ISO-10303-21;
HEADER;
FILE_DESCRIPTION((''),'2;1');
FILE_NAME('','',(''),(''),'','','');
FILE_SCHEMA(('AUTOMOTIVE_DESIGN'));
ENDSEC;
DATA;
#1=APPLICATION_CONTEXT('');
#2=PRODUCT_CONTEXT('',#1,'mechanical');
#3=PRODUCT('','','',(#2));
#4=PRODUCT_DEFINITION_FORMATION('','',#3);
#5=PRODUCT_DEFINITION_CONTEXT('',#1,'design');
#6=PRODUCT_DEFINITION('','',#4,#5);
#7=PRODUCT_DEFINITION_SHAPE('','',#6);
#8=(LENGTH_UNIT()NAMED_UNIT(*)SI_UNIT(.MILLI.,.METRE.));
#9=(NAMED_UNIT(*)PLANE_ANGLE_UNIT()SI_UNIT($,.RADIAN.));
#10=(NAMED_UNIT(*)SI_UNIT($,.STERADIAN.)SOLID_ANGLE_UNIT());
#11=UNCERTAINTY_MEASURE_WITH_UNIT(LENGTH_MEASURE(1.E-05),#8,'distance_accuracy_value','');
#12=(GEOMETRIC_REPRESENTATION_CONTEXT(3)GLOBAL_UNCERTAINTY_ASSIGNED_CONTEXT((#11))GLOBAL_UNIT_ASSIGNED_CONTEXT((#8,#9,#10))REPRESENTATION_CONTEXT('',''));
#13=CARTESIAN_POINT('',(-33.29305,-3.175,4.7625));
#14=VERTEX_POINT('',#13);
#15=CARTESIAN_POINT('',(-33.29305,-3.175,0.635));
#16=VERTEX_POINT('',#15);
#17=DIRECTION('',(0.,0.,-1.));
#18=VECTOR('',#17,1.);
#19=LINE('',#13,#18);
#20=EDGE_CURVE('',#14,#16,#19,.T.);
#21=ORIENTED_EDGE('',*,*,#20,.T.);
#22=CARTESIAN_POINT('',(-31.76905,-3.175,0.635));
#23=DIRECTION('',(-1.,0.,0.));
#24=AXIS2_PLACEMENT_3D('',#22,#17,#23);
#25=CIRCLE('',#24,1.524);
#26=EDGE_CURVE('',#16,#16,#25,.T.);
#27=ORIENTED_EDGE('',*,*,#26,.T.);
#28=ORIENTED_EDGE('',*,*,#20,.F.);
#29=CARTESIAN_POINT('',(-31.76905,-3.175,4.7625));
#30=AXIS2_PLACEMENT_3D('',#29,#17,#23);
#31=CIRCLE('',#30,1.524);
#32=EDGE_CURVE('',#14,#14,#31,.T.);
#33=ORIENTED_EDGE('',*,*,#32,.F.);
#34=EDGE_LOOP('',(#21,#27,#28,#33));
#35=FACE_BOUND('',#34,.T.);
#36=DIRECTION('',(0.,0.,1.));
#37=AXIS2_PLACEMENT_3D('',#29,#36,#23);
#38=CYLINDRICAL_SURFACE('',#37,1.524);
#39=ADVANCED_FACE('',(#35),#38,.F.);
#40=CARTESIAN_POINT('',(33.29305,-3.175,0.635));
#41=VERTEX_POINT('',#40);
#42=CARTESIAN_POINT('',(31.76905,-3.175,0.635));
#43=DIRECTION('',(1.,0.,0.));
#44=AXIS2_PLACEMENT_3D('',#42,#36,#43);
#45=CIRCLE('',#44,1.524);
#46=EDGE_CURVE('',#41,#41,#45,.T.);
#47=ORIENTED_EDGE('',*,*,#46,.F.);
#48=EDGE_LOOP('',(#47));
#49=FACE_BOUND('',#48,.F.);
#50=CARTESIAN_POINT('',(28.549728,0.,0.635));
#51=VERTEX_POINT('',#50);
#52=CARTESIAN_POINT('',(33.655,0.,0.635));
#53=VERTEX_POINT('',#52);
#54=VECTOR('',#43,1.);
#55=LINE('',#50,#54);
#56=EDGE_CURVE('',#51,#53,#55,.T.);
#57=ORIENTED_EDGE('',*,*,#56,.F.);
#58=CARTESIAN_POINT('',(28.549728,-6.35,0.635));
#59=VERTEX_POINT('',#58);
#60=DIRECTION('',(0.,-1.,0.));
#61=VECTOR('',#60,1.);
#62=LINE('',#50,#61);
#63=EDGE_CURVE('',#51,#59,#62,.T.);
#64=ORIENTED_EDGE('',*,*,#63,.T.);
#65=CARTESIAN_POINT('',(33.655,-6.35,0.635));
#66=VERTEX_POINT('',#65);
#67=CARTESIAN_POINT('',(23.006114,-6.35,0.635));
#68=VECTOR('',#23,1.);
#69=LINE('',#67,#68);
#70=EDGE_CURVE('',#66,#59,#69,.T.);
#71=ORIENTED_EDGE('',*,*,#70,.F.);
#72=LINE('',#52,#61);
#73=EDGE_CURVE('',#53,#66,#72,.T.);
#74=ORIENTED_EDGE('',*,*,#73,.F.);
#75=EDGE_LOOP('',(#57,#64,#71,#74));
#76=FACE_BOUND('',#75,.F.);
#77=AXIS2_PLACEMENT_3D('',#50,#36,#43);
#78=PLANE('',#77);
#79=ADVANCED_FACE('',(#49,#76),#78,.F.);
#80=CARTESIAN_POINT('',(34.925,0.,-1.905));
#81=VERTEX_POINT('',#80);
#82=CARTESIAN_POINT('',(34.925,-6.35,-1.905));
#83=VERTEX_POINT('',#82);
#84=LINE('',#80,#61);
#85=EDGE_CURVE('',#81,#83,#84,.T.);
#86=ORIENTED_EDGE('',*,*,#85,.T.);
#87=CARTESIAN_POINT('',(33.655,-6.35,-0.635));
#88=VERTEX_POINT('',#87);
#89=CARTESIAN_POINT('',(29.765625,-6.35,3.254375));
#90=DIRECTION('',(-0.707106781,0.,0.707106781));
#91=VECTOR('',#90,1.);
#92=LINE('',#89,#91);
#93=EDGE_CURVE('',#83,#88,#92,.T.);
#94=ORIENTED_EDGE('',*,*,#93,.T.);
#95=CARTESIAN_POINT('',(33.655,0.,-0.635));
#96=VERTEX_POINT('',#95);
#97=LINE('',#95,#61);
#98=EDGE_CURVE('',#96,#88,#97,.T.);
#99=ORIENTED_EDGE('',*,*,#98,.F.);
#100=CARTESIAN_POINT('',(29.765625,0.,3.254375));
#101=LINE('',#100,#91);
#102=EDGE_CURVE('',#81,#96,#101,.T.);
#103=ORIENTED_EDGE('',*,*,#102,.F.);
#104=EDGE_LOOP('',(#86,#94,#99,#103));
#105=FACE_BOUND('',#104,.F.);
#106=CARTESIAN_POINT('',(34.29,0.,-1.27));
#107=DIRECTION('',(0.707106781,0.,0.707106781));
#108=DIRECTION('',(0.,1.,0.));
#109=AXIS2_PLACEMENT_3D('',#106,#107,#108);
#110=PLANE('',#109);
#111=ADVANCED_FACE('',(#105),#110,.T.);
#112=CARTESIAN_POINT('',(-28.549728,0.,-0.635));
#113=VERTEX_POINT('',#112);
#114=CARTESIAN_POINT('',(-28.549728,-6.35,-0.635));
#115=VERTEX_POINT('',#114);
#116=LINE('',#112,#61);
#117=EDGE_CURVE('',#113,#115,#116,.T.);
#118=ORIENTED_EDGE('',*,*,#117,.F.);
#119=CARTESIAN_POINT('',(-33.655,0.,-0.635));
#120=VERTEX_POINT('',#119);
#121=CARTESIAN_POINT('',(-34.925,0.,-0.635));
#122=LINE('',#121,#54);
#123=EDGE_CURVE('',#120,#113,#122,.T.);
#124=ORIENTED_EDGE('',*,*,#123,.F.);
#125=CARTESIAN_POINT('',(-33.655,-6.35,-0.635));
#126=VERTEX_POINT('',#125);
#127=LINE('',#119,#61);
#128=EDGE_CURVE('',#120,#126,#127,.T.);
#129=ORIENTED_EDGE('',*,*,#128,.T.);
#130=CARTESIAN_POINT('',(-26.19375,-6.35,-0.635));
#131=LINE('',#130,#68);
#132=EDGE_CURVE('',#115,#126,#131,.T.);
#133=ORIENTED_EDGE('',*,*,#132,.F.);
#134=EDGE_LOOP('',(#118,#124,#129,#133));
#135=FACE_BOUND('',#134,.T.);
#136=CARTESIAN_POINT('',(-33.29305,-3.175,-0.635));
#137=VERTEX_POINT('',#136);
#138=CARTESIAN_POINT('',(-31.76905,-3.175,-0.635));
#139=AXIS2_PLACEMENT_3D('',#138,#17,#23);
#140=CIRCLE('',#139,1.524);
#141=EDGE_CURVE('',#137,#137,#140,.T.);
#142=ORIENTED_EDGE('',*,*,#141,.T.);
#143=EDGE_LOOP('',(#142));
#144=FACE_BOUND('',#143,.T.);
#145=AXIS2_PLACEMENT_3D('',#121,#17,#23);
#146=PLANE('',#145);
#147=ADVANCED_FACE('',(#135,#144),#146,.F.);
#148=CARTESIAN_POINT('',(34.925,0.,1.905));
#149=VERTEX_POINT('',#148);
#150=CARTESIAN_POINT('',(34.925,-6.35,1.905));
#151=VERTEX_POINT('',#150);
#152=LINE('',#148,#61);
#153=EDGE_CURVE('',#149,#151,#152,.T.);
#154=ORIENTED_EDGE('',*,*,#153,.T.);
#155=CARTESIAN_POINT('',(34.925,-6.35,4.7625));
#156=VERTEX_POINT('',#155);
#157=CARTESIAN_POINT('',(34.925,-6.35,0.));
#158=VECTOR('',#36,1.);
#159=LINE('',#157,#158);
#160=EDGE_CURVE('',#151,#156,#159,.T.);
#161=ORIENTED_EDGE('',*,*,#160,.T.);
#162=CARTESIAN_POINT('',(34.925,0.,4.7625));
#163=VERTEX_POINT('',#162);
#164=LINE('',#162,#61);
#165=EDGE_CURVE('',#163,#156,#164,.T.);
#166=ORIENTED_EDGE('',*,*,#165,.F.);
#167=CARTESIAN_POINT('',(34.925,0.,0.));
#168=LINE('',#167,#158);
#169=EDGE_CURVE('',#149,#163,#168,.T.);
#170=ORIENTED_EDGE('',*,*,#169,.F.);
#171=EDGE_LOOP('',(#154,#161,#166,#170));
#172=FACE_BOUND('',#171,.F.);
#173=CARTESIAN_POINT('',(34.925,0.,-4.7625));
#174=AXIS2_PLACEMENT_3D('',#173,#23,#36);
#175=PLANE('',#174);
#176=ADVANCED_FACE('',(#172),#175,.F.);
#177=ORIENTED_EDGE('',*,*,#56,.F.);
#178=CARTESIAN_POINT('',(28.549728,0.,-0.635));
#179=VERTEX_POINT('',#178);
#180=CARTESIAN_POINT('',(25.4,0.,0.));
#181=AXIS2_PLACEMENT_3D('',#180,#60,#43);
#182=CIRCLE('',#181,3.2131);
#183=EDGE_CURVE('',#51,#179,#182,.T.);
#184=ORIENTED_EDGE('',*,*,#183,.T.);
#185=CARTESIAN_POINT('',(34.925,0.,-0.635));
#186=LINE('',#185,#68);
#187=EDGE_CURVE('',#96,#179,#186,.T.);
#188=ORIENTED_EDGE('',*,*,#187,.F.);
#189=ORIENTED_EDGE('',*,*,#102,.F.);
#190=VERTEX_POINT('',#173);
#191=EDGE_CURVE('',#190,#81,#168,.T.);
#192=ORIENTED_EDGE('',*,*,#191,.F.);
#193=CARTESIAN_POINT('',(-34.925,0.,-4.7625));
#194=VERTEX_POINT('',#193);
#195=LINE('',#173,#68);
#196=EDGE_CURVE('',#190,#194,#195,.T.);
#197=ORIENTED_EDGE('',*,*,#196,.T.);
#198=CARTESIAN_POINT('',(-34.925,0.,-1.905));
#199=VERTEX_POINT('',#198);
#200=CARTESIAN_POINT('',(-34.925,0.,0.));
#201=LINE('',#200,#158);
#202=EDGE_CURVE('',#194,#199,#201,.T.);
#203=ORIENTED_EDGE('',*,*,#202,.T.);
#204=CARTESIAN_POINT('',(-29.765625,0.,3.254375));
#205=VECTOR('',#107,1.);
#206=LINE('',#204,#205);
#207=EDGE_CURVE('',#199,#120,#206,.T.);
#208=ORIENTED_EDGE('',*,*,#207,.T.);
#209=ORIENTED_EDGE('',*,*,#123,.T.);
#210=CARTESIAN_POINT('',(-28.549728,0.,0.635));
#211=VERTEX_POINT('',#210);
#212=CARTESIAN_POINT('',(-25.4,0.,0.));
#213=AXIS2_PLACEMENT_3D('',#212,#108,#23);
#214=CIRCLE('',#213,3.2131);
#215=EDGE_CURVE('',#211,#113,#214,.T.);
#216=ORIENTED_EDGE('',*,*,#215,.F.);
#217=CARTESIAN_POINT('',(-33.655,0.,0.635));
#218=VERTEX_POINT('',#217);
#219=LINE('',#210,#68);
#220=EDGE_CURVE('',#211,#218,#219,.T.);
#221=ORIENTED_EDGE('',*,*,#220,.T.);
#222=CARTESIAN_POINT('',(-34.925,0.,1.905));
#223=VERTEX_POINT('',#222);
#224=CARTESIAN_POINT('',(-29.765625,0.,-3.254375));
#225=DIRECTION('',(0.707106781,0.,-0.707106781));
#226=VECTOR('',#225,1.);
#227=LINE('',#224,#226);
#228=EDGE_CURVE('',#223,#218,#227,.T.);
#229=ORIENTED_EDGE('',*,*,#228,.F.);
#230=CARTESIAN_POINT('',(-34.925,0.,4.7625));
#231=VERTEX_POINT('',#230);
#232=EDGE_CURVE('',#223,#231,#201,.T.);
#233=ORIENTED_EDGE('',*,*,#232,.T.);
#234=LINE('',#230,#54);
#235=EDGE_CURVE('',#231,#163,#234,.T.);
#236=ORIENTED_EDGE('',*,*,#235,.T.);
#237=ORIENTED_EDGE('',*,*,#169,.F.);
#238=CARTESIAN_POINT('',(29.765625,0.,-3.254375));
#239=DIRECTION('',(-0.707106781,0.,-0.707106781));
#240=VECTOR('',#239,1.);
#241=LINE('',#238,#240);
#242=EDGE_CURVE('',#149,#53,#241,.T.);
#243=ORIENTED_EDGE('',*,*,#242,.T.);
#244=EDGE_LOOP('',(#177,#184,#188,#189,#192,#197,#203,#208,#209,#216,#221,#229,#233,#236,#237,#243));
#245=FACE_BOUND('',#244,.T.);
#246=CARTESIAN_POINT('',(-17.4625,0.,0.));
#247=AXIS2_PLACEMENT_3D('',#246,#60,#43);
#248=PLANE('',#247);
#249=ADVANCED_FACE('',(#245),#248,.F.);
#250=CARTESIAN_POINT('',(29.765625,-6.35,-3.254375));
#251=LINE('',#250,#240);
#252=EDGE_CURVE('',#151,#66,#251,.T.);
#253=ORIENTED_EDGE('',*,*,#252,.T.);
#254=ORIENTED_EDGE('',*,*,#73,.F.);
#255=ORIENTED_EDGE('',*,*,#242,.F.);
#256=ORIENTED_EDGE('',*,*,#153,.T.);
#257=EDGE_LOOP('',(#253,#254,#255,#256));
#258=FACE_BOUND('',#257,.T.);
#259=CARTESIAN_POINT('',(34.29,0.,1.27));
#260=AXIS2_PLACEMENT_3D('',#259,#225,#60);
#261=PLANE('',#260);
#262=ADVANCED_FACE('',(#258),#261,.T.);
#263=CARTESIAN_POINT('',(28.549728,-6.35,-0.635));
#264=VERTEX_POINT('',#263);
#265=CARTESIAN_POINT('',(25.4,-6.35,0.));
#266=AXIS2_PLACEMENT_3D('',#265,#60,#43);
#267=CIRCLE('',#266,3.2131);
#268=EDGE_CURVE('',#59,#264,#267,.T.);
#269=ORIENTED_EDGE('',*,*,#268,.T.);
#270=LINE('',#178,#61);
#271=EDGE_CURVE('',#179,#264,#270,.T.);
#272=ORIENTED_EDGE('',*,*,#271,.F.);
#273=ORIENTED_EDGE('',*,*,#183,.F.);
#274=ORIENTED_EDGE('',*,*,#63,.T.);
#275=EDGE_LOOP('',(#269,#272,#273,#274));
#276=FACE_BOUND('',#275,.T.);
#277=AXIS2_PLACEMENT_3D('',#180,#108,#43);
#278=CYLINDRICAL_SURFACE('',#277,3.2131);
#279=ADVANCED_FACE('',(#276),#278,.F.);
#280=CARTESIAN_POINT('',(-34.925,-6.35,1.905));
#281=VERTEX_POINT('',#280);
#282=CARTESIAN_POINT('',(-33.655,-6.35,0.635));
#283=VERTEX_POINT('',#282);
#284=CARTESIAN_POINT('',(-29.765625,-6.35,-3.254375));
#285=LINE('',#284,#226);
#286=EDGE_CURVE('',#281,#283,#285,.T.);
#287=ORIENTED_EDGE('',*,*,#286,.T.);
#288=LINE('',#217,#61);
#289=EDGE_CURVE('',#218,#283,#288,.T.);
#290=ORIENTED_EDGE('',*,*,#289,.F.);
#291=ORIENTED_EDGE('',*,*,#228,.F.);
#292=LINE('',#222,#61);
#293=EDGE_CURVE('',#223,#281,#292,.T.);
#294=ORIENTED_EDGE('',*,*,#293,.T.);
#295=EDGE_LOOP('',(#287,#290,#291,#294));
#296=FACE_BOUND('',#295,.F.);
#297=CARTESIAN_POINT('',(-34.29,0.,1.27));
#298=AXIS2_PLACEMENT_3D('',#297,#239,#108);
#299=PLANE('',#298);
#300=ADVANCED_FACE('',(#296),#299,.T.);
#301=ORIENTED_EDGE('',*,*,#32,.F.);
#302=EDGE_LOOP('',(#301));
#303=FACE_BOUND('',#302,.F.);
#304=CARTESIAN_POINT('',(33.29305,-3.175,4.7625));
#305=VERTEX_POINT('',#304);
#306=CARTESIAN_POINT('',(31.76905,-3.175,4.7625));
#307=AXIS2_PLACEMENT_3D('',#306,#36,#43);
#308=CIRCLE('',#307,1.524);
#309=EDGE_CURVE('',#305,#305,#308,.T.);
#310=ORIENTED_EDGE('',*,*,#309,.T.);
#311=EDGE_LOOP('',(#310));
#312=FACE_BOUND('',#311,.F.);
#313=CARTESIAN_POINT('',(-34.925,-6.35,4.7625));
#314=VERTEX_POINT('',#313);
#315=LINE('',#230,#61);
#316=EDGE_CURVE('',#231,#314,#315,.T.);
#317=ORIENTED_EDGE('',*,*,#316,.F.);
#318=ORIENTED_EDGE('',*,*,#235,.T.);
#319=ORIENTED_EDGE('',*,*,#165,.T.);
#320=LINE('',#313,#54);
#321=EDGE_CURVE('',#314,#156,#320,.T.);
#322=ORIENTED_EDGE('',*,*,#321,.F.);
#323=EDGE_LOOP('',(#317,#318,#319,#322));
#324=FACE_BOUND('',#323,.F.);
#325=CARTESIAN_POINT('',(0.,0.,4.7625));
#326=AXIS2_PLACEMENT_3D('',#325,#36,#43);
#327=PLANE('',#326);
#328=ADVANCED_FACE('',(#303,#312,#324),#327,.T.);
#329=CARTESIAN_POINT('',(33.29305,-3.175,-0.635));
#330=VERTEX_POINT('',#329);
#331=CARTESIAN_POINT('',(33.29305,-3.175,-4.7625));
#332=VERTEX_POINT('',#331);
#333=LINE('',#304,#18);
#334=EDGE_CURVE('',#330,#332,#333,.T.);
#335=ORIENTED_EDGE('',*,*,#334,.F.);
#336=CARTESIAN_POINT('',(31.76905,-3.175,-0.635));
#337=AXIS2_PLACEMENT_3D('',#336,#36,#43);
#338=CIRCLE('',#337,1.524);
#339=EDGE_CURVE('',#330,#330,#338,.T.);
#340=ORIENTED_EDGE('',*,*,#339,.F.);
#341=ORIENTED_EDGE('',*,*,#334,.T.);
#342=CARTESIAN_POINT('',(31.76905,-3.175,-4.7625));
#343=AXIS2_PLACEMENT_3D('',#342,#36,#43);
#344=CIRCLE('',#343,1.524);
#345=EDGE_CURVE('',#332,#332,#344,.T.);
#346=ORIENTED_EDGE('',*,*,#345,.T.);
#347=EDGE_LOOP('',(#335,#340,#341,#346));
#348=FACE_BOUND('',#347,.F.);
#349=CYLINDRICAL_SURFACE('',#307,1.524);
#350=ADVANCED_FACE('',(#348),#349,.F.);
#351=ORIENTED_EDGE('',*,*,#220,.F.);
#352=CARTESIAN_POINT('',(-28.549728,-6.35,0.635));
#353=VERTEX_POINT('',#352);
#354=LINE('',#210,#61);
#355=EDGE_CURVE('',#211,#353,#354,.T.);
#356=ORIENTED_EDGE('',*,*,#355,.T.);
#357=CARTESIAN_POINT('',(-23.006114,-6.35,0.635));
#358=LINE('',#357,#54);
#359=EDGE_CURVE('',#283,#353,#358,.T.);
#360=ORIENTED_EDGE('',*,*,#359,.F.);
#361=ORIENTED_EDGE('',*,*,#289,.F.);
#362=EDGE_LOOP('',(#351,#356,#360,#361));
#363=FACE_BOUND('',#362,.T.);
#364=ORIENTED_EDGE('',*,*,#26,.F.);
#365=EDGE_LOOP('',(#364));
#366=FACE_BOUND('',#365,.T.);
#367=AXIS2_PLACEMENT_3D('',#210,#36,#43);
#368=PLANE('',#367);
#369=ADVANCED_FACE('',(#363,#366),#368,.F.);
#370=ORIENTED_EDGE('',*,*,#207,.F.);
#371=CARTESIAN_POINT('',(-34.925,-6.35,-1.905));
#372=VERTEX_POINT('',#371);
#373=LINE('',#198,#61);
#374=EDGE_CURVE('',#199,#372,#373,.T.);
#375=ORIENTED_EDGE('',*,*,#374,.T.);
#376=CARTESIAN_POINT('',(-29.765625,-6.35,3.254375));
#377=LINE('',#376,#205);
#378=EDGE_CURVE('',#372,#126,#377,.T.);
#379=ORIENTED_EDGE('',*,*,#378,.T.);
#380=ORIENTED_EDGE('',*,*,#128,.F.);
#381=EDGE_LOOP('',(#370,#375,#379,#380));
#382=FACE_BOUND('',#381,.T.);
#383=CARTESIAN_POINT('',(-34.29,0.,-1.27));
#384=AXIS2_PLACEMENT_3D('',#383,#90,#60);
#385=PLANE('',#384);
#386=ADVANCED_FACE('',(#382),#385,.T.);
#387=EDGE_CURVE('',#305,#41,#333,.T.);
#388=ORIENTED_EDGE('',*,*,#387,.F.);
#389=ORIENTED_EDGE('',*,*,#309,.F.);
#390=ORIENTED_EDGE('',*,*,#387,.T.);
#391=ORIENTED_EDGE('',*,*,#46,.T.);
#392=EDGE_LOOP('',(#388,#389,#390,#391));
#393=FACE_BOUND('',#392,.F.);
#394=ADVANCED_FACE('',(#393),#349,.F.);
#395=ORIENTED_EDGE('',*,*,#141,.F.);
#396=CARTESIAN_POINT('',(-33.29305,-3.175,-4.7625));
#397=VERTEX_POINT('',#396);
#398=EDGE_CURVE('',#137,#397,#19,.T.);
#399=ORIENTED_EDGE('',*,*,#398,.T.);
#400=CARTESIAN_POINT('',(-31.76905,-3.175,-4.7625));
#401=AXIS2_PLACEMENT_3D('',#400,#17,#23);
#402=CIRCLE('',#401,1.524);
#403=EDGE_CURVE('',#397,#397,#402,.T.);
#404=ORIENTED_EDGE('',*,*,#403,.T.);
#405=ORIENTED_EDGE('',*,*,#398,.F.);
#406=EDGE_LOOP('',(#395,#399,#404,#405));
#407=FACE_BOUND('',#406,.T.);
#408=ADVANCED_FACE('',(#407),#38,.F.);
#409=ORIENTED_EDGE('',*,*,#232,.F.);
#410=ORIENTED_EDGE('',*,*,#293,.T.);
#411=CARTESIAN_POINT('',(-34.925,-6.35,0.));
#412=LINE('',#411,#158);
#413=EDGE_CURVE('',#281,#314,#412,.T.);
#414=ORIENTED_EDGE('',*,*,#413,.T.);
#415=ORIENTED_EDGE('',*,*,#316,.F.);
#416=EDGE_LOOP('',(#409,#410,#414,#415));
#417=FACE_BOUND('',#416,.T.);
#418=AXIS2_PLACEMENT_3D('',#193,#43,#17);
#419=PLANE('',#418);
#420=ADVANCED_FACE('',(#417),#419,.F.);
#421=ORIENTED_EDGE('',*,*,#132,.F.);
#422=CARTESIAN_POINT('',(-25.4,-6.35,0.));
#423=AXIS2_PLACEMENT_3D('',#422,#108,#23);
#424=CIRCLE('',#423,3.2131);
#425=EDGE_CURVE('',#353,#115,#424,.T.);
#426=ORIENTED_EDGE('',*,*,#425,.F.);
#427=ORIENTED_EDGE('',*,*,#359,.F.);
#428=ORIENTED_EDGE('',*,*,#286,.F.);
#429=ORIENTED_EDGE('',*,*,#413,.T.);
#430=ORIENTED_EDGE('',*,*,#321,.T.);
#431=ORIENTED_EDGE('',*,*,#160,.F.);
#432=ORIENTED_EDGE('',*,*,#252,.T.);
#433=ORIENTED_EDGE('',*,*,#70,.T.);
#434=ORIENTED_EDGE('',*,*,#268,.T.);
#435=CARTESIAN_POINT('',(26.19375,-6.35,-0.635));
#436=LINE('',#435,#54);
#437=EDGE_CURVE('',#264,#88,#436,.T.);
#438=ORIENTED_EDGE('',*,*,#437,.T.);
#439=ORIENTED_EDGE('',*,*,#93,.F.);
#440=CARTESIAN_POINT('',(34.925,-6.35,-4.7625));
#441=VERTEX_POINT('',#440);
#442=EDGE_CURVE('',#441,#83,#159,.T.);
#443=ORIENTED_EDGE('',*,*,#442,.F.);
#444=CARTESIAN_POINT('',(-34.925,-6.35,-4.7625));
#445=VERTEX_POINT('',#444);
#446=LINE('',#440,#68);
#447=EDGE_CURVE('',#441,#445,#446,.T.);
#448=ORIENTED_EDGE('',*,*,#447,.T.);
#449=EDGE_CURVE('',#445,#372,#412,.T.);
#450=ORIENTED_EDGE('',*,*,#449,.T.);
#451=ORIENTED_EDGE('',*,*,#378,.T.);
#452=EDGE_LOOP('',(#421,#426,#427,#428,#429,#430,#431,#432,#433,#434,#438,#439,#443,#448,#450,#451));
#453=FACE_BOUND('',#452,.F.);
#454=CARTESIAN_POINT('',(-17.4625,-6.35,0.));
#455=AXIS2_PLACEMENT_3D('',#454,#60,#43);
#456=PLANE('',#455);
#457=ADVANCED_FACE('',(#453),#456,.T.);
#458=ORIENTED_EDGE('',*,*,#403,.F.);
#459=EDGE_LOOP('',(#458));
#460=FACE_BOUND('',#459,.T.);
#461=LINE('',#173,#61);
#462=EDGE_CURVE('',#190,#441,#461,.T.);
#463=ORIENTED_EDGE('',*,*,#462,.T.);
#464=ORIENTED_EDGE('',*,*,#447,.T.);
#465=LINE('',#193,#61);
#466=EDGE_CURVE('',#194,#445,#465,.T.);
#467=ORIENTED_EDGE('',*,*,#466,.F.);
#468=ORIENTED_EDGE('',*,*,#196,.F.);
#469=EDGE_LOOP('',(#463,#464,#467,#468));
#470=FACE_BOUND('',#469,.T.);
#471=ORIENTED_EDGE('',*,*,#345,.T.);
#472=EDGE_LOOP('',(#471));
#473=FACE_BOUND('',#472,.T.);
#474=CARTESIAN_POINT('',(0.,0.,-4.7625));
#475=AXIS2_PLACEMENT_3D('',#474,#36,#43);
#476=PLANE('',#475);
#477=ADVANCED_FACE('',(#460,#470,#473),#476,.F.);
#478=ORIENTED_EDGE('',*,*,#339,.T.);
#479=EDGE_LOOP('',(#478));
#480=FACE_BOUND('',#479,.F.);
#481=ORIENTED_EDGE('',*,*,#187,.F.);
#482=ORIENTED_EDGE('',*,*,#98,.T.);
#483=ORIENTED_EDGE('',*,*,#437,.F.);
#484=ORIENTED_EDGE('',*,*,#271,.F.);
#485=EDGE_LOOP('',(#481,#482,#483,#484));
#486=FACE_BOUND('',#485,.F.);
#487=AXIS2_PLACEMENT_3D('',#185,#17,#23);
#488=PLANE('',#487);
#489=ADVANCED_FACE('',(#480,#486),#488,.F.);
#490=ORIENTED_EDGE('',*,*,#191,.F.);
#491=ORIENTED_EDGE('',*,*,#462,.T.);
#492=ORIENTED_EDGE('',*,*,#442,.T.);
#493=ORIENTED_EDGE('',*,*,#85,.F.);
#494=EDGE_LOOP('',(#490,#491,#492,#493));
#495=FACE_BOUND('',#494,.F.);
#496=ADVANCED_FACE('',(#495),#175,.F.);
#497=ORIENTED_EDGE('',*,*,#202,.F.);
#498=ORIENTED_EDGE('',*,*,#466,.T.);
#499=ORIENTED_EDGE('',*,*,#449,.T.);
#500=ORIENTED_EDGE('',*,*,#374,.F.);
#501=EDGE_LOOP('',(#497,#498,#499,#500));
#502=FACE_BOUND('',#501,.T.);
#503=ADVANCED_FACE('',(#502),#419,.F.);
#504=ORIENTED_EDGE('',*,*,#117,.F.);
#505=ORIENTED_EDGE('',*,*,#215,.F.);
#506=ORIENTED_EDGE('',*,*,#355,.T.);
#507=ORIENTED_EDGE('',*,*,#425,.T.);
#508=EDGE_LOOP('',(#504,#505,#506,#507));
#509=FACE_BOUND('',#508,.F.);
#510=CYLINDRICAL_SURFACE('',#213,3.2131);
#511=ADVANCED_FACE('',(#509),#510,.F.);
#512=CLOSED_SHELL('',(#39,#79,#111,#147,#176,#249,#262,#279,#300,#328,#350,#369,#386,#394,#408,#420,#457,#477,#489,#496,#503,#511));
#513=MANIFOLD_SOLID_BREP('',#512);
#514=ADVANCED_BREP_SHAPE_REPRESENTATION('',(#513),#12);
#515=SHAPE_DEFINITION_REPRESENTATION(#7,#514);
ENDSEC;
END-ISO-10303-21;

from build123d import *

# Parameters (mm, degrees)
F0_W     = 34.925
F0_H     = 9.525
F0_R     = 3.2131
F1_DEPTH = 6.35
F2_R     = 1.524
F3_DEPTH = 9.525
F5_DEPTH = 6.351
F6_SIZE  = 1.27


with BuildPart() as f1:
    # F0 (on Front) → F1 (new body)
    with BuildSketch(Plane.XZ):
        with Locations((17.4625, 0)):
            Rectangle(F0_W, F0_H)
        with Locations((25.4, 0)):
            Circle(F0_R, mode=Mode.SUBTRACT)
    extrude(amount=F1_DEPTH)

    # F2 (on face) → F3 (cut, through all)
    with BuildSketch(Plane.XY.offset(4.7625)):
        with Locations((31.76905, -3.175)):
            Circle(F2_R)
    extrude(amount=-F3_DEPTH, mode=Mode.SUBTRACT)

    # F4 (on face) → F5 (cut, through all)
    with BuildSketch(Plane(origin=(0, 0, 0), x_dir=(-1, 0, 0), z_dir=(0, 1, 0))):
        with BuildLine():
            Line((-28.5497280216, 0.635), (-34.925, 0.635))
            Line((-34.925, 0.635), (-34.925, -0.635))
            Line((-34.925, -0.635), (-28.5497280216, -0.635))
            ThreePointArc((-28.5497280216, -0.635), (-28.6131, 0), (-28.5497280216, 0.635))
        make_face()
    extrude(amount=-F5_DEPTH, mode=Mode.SUBTRACT)

    # F6
    f6_edges = [f1.edges().sort_by_distance(p)[0] for p in [
        (34.925, -3.175, 0.635),
        (34.925, -3.175, -0.635),
    ]]
    chamfer(f6_edges, length=F6_SIZE)

    # F7: F1 across face


with BuildPart() as f1_1:
    add(f1.part)
    add(f1.part.mirror(Plane(origin=(0, -3.175, 0), x_dir=(0, -1, 0), z_dir=(-1, 0, 0))))


solid = f1_1.part
